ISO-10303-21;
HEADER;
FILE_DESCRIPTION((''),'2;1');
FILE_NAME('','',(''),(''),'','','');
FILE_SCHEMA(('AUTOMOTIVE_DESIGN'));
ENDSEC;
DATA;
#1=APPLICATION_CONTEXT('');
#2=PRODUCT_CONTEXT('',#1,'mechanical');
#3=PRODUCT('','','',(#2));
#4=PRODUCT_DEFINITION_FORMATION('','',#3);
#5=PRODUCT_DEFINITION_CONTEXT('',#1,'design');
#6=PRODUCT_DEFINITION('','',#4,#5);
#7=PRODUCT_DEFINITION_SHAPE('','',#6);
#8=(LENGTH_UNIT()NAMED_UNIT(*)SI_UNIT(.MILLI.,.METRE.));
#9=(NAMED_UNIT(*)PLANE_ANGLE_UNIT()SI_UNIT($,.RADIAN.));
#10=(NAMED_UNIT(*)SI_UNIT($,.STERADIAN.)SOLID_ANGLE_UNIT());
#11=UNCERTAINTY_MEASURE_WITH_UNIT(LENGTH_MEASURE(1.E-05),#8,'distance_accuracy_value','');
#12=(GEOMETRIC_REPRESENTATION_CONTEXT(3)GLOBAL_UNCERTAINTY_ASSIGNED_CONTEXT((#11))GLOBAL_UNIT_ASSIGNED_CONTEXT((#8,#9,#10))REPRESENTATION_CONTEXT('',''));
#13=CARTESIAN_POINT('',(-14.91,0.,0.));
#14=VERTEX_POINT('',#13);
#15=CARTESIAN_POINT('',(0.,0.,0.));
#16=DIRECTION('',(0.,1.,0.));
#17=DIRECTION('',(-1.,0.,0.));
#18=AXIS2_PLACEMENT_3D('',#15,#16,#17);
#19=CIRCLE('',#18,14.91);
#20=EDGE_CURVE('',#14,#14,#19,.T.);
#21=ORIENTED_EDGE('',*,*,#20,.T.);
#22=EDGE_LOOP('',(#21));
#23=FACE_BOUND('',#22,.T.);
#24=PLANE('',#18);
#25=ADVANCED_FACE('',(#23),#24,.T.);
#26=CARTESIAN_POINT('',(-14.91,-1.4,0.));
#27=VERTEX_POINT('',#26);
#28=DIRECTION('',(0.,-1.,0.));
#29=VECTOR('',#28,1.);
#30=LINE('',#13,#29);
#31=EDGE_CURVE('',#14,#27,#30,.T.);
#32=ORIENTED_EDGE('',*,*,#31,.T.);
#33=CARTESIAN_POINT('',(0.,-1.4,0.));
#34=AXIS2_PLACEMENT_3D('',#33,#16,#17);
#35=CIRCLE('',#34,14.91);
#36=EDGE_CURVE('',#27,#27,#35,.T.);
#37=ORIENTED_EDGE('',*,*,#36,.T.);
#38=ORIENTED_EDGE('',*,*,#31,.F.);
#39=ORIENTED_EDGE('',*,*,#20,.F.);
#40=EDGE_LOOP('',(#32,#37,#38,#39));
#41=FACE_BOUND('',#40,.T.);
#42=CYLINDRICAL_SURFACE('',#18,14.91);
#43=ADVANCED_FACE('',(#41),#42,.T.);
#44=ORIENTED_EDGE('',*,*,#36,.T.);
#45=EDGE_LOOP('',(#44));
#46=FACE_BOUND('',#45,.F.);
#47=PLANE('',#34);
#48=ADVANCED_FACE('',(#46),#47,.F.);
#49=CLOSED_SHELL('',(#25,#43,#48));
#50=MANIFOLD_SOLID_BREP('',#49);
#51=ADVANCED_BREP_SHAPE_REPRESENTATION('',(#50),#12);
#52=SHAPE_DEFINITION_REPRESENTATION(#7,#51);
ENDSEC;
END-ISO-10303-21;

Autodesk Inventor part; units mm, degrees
ref_plane "YZ Plane" through (0, 0, 0) normal (1, 0, 0) x (0, 1, 0)
ref_plane "XZ Plane" through (0, 0, 0) normal (0, 1, 0) x (-1, 0, 0)
ref_plane "XY Plane" through (0, 0, 0) normal (0, 0, 1) x (1, 0, 0)
sketch "Sketch1" plane through (0, 0, 0) normal (0, 1, 0) x (-1, 0, 0)
  circle A0 centre (0, 0) radius 14.91
  dimension "d0" = 29.82
extrude "Extrusion1" add sketch "Sketch1" against normal blind 1.4
properties part number "stamp_circular_emtpy" material "PET Plastic"
